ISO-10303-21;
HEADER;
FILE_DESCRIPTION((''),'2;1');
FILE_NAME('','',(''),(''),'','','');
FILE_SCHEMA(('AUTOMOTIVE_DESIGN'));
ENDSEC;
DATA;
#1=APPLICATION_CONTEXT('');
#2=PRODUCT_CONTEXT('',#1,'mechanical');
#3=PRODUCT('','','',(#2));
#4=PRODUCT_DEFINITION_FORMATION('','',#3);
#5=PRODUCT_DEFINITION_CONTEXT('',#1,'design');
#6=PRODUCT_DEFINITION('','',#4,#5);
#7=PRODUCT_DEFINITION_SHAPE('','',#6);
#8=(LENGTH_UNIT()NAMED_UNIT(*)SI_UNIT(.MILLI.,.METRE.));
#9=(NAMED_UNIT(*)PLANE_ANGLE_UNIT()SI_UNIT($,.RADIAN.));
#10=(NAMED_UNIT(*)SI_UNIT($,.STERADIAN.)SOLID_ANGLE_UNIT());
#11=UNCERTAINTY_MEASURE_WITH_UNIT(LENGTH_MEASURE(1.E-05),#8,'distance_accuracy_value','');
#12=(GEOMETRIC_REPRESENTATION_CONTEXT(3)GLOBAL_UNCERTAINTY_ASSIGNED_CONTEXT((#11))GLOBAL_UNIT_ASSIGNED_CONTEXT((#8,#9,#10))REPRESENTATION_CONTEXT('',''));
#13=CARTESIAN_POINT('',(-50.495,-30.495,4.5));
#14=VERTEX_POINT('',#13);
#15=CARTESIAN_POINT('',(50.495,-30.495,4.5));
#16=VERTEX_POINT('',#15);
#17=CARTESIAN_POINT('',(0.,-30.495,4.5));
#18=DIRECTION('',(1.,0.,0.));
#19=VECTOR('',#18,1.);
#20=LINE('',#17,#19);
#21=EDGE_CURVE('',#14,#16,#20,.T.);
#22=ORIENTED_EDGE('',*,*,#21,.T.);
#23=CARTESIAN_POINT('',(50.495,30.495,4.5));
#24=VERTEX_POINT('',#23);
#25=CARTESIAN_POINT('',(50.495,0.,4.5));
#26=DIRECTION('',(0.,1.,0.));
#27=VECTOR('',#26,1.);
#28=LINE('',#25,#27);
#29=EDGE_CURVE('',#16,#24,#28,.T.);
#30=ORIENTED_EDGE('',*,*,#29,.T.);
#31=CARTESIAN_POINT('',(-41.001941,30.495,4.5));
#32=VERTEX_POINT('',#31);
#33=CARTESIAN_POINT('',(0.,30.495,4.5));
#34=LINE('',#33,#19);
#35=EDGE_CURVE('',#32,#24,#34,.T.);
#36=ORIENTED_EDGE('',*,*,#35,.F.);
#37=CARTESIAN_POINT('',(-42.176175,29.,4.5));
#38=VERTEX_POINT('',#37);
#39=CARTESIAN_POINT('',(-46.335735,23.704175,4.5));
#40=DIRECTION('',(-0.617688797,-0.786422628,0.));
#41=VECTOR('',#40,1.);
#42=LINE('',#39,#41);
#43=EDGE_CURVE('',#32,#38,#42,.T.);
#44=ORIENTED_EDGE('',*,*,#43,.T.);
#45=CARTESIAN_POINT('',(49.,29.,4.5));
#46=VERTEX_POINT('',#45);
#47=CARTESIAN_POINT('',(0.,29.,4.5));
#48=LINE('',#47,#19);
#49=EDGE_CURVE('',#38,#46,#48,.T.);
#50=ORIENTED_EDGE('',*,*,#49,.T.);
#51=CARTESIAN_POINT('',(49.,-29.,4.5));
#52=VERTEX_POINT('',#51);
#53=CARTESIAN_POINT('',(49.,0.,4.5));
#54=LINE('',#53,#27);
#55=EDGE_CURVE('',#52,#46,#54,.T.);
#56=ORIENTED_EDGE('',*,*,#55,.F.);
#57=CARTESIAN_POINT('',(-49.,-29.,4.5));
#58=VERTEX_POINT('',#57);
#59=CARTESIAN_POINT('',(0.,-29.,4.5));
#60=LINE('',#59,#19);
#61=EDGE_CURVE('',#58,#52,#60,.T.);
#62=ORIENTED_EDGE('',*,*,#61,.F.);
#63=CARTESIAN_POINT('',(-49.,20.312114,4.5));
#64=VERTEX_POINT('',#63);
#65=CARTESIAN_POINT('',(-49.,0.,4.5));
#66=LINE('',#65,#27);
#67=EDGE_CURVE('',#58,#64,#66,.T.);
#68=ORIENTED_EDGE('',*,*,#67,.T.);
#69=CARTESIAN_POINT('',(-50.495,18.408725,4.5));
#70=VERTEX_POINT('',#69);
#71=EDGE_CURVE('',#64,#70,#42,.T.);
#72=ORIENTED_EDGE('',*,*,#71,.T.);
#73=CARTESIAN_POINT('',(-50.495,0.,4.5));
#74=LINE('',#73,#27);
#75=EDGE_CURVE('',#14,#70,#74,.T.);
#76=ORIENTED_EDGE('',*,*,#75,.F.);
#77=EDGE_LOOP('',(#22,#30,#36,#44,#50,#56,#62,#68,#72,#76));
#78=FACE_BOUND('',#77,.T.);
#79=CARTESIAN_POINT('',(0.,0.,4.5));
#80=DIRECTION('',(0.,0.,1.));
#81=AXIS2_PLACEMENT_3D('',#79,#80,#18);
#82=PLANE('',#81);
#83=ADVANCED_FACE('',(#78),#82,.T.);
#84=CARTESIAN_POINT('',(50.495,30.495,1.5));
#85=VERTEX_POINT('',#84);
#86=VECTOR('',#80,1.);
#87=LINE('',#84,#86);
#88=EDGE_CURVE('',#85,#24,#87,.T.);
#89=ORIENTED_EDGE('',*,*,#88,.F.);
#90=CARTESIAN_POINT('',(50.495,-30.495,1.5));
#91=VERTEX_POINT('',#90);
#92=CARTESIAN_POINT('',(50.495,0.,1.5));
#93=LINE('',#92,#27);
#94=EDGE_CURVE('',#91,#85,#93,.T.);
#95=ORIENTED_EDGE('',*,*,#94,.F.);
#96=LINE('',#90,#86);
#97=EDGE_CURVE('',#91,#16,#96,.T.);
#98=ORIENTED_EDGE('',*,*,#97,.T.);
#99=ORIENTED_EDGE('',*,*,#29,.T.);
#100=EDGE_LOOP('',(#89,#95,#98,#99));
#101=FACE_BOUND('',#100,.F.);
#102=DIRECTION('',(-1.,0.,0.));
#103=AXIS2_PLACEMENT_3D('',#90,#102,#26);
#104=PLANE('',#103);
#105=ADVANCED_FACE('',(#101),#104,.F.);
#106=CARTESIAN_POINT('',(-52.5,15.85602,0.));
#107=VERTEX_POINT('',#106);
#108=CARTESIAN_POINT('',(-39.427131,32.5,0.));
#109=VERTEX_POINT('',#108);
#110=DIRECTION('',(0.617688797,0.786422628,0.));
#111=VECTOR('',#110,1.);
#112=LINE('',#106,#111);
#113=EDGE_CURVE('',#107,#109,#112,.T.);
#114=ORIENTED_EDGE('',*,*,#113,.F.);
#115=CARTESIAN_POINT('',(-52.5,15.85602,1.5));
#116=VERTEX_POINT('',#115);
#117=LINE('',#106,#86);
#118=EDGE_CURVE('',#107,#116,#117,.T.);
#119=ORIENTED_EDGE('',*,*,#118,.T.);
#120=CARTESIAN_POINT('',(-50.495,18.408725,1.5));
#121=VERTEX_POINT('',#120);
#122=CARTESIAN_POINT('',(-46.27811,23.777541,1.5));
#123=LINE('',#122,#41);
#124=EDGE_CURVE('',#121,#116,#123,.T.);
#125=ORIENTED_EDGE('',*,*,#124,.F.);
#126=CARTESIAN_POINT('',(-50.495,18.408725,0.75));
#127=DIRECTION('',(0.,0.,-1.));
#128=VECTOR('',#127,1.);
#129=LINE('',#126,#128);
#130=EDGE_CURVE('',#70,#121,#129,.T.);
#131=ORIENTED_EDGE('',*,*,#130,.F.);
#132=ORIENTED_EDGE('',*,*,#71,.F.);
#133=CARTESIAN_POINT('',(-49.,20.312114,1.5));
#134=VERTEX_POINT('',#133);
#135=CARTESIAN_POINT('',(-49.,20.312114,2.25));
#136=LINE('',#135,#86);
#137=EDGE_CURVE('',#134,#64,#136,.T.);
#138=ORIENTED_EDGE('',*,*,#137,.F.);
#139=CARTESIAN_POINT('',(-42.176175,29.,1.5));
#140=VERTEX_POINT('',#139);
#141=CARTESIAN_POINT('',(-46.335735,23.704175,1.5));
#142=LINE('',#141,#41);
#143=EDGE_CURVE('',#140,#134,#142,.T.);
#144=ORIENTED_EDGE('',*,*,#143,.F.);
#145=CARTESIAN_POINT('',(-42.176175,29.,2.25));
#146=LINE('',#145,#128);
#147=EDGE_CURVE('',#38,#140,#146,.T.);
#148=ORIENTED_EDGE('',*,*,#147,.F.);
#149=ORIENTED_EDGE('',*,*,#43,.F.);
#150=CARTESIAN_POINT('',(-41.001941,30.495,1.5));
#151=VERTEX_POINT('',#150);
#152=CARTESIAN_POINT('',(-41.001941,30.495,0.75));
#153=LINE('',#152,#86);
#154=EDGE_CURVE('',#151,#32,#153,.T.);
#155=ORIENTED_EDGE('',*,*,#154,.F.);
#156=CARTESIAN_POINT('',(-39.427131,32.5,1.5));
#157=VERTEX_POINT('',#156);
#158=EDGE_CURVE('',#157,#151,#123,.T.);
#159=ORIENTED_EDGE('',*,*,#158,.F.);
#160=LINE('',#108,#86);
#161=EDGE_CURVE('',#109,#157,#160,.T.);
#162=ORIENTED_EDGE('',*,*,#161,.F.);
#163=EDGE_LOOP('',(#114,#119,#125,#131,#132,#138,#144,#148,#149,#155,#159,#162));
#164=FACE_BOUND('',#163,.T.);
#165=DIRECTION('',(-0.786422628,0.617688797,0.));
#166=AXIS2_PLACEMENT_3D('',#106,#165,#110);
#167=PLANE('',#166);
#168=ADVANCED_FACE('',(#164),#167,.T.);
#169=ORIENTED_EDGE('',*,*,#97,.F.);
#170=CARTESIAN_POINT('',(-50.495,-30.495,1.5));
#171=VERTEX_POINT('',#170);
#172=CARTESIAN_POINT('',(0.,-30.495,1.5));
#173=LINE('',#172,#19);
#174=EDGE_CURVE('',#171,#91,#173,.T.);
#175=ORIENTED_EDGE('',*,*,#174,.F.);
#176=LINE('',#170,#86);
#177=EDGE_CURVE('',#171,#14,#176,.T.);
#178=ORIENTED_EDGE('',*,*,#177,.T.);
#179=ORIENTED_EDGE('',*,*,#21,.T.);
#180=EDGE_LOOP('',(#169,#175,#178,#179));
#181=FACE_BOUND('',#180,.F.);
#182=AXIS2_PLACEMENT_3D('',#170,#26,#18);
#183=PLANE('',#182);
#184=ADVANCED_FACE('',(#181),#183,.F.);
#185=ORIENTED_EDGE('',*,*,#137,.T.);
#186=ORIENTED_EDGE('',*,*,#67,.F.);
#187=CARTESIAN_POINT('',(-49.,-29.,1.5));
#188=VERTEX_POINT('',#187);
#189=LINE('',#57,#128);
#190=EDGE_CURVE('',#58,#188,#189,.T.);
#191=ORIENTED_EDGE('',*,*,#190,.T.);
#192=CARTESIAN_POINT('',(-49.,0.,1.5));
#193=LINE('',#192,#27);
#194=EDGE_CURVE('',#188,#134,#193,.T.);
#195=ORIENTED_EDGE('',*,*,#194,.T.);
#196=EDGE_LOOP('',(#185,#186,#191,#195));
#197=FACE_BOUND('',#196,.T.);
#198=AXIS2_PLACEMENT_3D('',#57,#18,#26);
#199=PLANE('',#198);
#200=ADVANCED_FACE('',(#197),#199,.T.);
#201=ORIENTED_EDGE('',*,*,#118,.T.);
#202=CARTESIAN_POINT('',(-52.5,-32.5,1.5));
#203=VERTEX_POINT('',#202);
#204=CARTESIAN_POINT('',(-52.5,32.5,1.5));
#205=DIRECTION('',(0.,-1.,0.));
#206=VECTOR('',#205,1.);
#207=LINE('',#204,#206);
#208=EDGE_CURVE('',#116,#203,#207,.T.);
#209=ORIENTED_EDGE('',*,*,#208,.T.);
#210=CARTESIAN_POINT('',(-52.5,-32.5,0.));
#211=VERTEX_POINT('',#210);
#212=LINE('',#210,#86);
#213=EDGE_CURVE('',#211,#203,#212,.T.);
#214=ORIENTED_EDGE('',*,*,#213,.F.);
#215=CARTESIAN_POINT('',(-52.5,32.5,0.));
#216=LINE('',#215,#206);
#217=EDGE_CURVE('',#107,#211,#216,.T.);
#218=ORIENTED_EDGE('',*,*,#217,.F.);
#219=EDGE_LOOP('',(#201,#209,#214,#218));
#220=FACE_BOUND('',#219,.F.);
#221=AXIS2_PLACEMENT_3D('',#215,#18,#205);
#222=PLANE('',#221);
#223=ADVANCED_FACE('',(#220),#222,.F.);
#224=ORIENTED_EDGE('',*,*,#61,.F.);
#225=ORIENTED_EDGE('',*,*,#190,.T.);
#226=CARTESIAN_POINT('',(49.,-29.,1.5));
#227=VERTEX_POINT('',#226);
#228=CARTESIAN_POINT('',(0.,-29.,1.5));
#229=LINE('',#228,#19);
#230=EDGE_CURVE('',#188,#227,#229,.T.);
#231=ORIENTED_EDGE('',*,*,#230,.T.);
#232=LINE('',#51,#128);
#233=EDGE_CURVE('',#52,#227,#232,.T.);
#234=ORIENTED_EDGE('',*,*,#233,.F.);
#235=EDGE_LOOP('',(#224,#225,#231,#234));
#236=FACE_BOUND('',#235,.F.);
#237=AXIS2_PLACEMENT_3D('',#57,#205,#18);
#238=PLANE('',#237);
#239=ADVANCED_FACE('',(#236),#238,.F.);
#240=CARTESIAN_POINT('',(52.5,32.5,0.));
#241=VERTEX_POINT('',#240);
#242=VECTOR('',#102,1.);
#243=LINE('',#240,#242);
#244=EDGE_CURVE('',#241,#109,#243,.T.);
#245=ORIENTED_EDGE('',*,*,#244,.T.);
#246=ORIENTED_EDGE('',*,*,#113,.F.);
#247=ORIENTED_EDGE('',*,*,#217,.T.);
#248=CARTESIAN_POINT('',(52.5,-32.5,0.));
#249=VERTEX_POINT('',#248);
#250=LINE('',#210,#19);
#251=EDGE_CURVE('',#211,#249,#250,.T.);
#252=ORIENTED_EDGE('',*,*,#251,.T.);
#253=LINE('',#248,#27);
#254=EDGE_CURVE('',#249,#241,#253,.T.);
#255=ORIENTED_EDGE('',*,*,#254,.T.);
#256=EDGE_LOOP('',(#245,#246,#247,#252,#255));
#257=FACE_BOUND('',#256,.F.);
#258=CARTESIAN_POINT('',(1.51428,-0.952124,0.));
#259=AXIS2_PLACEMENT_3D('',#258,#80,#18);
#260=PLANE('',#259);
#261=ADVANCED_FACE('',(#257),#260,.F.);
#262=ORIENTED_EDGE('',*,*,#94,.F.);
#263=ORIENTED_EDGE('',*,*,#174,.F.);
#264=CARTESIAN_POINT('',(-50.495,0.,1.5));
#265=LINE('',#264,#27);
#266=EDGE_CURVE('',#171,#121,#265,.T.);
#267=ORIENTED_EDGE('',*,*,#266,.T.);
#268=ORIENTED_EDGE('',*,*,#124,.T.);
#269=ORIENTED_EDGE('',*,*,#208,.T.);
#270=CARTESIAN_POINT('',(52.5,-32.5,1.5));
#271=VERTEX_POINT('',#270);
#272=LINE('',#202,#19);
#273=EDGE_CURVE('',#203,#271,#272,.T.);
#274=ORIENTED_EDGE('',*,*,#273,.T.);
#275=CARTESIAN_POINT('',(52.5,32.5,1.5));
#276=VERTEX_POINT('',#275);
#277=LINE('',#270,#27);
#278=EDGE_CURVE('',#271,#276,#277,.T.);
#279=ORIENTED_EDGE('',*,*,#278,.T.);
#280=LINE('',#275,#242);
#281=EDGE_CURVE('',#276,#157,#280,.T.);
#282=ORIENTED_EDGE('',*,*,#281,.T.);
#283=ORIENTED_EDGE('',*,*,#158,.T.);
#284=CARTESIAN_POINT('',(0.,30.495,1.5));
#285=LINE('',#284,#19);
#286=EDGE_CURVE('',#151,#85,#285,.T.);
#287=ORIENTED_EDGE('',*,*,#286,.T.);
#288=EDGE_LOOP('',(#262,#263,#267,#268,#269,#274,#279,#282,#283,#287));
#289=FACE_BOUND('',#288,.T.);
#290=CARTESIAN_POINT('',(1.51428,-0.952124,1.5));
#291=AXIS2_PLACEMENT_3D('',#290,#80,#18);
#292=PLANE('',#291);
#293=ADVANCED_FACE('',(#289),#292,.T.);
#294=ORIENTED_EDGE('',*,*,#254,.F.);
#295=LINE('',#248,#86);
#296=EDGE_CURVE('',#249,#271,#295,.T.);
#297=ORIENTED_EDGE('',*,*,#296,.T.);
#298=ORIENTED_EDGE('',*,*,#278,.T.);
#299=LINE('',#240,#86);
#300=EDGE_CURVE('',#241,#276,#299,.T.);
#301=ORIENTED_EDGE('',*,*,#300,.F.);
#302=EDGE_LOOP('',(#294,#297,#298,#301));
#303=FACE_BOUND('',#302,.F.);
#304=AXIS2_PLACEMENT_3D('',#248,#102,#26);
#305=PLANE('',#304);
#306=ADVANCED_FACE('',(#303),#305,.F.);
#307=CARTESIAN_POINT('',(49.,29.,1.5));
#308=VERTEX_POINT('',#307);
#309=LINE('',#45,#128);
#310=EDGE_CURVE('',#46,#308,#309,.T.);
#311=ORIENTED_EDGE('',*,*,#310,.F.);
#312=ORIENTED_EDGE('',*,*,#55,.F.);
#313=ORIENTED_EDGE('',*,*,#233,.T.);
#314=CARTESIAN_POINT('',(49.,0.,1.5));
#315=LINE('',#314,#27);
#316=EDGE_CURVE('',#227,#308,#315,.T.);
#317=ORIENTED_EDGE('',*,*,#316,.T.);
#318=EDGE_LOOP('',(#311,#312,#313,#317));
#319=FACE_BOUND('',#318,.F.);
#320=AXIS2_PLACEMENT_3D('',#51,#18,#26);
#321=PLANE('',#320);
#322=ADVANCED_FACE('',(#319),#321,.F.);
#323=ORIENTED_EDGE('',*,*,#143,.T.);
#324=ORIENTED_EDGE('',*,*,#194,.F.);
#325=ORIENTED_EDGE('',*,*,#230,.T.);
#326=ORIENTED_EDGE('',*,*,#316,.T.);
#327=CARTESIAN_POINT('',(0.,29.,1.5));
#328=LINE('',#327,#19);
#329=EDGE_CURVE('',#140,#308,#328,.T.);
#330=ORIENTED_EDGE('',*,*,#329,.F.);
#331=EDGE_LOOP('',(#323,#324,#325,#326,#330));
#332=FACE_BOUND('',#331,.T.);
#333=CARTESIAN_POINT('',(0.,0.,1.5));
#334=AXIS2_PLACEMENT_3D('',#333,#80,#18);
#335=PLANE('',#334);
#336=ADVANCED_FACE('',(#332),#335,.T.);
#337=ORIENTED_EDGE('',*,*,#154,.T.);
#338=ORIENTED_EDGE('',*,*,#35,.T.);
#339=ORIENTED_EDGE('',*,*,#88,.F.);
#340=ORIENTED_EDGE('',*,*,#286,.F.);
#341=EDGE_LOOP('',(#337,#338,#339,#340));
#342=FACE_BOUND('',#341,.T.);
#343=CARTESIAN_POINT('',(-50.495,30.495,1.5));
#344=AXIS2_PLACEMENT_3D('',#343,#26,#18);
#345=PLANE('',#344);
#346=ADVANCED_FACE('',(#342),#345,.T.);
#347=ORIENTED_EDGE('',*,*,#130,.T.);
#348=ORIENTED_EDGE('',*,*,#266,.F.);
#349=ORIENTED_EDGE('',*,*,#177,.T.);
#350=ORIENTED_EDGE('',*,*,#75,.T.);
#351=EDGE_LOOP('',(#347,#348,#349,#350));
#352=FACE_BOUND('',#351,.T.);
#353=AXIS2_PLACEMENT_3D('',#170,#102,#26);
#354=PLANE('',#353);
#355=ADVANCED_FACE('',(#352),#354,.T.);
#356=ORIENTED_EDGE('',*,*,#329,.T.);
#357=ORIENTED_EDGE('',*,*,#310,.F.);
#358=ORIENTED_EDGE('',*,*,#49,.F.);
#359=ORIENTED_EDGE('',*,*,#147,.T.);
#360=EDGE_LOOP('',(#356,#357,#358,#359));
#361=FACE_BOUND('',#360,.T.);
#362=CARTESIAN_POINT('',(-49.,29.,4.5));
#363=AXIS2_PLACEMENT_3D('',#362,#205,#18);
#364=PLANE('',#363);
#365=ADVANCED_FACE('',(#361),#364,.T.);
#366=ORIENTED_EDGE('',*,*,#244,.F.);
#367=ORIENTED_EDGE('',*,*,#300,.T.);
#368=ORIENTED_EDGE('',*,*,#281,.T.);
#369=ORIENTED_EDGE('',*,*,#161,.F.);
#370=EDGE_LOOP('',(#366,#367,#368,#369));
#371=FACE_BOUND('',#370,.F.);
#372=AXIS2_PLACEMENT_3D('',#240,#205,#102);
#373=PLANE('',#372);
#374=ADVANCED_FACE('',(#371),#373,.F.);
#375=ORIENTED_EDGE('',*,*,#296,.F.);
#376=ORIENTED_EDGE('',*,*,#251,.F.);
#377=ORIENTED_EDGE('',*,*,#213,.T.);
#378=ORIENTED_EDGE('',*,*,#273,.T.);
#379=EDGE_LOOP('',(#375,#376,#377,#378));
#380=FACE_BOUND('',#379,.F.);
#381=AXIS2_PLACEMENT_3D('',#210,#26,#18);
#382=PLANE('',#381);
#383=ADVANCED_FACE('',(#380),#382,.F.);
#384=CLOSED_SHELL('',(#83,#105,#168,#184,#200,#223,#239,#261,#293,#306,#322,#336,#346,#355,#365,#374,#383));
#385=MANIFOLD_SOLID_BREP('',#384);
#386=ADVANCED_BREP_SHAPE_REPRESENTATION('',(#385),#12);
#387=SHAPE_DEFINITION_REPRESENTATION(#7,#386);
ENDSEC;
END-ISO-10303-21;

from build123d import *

# Parameters (mm, degrees)
F1_DEPTH = 1.5
F2_W     = 100.99
F2_H     = 60.99
F3_DEPTH = 3
F4_W     = 98
F4_H     = 58
F5_DEPTH = 3
F6_DEPTH = 25


with BuildPart() as f1:
    # F0 (on Top) → F1 (new body)
    with BuildSketch(Plane.XY):
        Polygon((-52.5, -32.5), (52.5, -32.5), (52.5, 32.5), (-39.427131, 32.5), (-52.5, 15.85602), align=None)
        Polygon((-52.5, 32.5), (-52.5, 15.85602), (-39.427131, 32.5), align=None)
    extrude(amount=F1_DEPTH)

    # F2 (on face) → F3 (join)
    with BuildSketch(Plane.XY.offset(1.5)):
        Rectangle(F2_W, F2_H)
    extrude(amount=F3_DEPTH)

    # F4 (on face) → F5 (cut)
    with BuildSketch(Plane.XY.offset(4.5)):
        Rectangle(F4_W, F4_H)
    extrude(amount=-F5_DEPTH, mode=Mode.SUBTRACT)

    # F0 (on Top) → F6 (cut)
    with BuildSketch(Plane.XY):
        Polygon((-52.5, 32.5), (-52.5, 15.85602), (-39.427131, 32.5), align=None)
    extrude(amount=F6_DEPTH, mode=Mode.SUBTRACT)


solid = f1.part
